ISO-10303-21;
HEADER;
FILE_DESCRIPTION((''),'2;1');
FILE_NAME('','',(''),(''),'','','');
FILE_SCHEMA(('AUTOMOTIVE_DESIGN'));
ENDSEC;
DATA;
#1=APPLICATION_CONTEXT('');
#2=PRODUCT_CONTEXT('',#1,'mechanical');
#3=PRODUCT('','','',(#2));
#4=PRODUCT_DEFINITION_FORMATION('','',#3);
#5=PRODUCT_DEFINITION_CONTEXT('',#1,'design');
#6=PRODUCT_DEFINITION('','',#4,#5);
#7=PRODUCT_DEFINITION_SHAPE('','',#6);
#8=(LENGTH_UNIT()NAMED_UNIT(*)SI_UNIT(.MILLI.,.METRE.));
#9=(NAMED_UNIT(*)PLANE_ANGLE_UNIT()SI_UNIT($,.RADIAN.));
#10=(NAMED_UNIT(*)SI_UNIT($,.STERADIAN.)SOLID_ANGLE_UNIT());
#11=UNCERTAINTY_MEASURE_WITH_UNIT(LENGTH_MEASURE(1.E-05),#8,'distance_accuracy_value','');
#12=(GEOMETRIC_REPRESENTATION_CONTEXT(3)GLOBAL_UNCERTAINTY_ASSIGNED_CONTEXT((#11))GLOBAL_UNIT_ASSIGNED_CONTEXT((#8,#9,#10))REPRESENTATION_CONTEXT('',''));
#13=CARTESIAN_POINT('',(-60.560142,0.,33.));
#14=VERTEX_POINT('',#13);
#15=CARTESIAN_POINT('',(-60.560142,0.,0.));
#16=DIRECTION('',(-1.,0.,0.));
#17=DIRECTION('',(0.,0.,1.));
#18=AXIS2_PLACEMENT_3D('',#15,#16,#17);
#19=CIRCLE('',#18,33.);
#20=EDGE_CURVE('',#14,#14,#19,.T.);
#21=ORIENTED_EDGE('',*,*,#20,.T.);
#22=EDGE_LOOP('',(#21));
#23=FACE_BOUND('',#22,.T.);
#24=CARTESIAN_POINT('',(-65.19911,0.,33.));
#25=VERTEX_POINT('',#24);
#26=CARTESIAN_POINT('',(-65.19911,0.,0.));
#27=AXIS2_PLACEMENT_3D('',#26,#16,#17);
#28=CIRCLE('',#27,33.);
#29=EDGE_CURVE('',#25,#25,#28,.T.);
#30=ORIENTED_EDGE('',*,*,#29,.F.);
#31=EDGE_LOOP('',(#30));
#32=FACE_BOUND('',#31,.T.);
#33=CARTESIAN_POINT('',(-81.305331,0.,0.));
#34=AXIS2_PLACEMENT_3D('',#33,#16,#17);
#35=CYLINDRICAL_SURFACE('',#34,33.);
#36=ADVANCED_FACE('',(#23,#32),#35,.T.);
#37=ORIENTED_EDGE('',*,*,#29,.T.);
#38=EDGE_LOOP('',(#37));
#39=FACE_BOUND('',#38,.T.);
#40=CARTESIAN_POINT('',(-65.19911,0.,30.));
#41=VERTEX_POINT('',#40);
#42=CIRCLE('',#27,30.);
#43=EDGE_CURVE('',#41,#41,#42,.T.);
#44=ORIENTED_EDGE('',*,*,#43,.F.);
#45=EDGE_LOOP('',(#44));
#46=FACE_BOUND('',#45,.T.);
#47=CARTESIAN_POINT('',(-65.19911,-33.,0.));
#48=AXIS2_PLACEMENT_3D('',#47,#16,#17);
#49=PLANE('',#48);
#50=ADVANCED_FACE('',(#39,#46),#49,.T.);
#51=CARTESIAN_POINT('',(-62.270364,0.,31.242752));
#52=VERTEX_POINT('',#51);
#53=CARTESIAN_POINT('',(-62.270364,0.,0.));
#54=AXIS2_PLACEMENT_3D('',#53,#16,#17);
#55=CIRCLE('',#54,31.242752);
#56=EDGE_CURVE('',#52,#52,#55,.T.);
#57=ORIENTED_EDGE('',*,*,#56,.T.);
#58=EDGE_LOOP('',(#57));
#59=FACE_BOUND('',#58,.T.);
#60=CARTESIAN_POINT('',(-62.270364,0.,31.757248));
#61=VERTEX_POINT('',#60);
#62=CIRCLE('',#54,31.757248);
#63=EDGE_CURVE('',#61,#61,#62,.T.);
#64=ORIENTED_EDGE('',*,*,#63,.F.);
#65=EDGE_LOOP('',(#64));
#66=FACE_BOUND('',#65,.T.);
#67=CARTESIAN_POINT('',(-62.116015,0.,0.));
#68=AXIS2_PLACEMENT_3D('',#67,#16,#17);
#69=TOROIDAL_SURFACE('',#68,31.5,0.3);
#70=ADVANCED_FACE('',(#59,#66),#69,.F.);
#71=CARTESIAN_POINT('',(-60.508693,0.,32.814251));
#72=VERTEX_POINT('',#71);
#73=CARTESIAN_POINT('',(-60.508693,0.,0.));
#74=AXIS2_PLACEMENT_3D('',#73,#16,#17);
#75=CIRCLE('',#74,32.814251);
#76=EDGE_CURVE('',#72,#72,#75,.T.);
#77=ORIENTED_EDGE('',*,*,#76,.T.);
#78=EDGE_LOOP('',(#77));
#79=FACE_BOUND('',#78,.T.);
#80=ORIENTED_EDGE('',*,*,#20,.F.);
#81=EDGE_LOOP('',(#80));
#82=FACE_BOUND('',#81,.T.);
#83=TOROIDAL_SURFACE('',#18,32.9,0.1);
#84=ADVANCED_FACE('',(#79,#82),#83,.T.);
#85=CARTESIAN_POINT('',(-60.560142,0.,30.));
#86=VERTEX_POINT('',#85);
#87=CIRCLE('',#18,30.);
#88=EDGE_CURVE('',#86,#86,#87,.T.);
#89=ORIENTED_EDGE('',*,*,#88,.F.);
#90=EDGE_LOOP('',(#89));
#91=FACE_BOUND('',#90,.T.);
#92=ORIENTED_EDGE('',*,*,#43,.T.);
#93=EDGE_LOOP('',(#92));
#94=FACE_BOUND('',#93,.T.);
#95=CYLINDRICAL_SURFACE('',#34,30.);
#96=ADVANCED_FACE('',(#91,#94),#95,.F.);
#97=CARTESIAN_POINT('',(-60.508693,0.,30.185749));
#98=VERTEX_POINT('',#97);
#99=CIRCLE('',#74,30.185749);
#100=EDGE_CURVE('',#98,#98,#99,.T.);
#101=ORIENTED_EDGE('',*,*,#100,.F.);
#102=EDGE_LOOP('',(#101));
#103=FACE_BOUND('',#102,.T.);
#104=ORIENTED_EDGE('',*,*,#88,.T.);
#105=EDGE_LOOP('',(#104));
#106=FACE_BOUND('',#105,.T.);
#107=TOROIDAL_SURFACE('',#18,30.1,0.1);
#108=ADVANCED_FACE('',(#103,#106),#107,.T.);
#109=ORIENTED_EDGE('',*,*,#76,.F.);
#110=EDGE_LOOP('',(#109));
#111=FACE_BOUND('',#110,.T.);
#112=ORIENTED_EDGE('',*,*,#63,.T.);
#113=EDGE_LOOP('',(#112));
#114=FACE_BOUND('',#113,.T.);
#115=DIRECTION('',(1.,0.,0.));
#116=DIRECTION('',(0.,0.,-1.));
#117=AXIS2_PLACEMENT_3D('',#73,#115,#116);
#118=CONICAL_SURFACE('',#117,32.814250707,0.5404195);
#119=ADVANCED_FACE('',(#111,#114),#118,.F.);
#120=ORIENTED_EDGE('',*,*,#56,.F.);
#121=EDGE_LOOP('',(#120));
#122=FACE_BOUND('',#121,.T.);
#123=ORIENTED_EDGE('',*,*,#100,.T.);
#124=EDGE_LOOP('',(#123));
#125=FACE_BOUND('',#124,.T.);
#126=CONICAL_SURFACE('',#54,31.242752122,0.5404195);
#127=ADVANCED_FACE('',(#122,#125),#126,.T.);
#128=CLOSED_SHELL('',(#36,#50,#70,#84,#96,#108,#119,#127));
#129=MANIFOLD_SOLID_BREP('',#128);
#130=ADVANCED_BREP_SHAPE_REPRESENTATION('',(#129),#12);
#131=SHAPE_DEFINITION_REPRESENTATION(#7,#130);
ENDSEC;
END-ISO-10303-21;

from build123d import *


with BuildPart() as part:
    # Sketch1 → Revolve1 (revolve)
    with BuildSketch(Plane.XY, mode=Mode.PRIVATE) as revolve1_sk:
        with BuildLine():
            Line((-65.199110398, -33), (-60.560142127, -33))
            ThreePointArc((-60.560142127, -33), (-60.463770635, -32.926693358), (-60.508692552, -32.814250707))
            Line((-60.508692552, -32.814250707), (-62.270363935, -31.757247878))
            ThreePointArc((-62.270363935, -31.757247878), (-62.416015208, -31.5), (-62.270363935, -31.242752122))
            Line((-62.270363935, -31.242752122), (-60.508692552, -30.185749293))
            ThreePointArc((-60.508692552, -30.185749293), (-60.463770635, -30.073306642), (-60.560142127, -30))
            Line((-60.560142127, -30), (-65.199110398, -30))
            Line((-65.199110398, -30), (-65.199110398, -33))
        make_face()
    revolve(revolve1_sk.sketch.rotate(Axis((-81.305330835, 0, 0), (1, 0, 0)), 270), axis=Axis((-81.305330835, 0, 0), (1, 0, 0)))


solid = part.part
